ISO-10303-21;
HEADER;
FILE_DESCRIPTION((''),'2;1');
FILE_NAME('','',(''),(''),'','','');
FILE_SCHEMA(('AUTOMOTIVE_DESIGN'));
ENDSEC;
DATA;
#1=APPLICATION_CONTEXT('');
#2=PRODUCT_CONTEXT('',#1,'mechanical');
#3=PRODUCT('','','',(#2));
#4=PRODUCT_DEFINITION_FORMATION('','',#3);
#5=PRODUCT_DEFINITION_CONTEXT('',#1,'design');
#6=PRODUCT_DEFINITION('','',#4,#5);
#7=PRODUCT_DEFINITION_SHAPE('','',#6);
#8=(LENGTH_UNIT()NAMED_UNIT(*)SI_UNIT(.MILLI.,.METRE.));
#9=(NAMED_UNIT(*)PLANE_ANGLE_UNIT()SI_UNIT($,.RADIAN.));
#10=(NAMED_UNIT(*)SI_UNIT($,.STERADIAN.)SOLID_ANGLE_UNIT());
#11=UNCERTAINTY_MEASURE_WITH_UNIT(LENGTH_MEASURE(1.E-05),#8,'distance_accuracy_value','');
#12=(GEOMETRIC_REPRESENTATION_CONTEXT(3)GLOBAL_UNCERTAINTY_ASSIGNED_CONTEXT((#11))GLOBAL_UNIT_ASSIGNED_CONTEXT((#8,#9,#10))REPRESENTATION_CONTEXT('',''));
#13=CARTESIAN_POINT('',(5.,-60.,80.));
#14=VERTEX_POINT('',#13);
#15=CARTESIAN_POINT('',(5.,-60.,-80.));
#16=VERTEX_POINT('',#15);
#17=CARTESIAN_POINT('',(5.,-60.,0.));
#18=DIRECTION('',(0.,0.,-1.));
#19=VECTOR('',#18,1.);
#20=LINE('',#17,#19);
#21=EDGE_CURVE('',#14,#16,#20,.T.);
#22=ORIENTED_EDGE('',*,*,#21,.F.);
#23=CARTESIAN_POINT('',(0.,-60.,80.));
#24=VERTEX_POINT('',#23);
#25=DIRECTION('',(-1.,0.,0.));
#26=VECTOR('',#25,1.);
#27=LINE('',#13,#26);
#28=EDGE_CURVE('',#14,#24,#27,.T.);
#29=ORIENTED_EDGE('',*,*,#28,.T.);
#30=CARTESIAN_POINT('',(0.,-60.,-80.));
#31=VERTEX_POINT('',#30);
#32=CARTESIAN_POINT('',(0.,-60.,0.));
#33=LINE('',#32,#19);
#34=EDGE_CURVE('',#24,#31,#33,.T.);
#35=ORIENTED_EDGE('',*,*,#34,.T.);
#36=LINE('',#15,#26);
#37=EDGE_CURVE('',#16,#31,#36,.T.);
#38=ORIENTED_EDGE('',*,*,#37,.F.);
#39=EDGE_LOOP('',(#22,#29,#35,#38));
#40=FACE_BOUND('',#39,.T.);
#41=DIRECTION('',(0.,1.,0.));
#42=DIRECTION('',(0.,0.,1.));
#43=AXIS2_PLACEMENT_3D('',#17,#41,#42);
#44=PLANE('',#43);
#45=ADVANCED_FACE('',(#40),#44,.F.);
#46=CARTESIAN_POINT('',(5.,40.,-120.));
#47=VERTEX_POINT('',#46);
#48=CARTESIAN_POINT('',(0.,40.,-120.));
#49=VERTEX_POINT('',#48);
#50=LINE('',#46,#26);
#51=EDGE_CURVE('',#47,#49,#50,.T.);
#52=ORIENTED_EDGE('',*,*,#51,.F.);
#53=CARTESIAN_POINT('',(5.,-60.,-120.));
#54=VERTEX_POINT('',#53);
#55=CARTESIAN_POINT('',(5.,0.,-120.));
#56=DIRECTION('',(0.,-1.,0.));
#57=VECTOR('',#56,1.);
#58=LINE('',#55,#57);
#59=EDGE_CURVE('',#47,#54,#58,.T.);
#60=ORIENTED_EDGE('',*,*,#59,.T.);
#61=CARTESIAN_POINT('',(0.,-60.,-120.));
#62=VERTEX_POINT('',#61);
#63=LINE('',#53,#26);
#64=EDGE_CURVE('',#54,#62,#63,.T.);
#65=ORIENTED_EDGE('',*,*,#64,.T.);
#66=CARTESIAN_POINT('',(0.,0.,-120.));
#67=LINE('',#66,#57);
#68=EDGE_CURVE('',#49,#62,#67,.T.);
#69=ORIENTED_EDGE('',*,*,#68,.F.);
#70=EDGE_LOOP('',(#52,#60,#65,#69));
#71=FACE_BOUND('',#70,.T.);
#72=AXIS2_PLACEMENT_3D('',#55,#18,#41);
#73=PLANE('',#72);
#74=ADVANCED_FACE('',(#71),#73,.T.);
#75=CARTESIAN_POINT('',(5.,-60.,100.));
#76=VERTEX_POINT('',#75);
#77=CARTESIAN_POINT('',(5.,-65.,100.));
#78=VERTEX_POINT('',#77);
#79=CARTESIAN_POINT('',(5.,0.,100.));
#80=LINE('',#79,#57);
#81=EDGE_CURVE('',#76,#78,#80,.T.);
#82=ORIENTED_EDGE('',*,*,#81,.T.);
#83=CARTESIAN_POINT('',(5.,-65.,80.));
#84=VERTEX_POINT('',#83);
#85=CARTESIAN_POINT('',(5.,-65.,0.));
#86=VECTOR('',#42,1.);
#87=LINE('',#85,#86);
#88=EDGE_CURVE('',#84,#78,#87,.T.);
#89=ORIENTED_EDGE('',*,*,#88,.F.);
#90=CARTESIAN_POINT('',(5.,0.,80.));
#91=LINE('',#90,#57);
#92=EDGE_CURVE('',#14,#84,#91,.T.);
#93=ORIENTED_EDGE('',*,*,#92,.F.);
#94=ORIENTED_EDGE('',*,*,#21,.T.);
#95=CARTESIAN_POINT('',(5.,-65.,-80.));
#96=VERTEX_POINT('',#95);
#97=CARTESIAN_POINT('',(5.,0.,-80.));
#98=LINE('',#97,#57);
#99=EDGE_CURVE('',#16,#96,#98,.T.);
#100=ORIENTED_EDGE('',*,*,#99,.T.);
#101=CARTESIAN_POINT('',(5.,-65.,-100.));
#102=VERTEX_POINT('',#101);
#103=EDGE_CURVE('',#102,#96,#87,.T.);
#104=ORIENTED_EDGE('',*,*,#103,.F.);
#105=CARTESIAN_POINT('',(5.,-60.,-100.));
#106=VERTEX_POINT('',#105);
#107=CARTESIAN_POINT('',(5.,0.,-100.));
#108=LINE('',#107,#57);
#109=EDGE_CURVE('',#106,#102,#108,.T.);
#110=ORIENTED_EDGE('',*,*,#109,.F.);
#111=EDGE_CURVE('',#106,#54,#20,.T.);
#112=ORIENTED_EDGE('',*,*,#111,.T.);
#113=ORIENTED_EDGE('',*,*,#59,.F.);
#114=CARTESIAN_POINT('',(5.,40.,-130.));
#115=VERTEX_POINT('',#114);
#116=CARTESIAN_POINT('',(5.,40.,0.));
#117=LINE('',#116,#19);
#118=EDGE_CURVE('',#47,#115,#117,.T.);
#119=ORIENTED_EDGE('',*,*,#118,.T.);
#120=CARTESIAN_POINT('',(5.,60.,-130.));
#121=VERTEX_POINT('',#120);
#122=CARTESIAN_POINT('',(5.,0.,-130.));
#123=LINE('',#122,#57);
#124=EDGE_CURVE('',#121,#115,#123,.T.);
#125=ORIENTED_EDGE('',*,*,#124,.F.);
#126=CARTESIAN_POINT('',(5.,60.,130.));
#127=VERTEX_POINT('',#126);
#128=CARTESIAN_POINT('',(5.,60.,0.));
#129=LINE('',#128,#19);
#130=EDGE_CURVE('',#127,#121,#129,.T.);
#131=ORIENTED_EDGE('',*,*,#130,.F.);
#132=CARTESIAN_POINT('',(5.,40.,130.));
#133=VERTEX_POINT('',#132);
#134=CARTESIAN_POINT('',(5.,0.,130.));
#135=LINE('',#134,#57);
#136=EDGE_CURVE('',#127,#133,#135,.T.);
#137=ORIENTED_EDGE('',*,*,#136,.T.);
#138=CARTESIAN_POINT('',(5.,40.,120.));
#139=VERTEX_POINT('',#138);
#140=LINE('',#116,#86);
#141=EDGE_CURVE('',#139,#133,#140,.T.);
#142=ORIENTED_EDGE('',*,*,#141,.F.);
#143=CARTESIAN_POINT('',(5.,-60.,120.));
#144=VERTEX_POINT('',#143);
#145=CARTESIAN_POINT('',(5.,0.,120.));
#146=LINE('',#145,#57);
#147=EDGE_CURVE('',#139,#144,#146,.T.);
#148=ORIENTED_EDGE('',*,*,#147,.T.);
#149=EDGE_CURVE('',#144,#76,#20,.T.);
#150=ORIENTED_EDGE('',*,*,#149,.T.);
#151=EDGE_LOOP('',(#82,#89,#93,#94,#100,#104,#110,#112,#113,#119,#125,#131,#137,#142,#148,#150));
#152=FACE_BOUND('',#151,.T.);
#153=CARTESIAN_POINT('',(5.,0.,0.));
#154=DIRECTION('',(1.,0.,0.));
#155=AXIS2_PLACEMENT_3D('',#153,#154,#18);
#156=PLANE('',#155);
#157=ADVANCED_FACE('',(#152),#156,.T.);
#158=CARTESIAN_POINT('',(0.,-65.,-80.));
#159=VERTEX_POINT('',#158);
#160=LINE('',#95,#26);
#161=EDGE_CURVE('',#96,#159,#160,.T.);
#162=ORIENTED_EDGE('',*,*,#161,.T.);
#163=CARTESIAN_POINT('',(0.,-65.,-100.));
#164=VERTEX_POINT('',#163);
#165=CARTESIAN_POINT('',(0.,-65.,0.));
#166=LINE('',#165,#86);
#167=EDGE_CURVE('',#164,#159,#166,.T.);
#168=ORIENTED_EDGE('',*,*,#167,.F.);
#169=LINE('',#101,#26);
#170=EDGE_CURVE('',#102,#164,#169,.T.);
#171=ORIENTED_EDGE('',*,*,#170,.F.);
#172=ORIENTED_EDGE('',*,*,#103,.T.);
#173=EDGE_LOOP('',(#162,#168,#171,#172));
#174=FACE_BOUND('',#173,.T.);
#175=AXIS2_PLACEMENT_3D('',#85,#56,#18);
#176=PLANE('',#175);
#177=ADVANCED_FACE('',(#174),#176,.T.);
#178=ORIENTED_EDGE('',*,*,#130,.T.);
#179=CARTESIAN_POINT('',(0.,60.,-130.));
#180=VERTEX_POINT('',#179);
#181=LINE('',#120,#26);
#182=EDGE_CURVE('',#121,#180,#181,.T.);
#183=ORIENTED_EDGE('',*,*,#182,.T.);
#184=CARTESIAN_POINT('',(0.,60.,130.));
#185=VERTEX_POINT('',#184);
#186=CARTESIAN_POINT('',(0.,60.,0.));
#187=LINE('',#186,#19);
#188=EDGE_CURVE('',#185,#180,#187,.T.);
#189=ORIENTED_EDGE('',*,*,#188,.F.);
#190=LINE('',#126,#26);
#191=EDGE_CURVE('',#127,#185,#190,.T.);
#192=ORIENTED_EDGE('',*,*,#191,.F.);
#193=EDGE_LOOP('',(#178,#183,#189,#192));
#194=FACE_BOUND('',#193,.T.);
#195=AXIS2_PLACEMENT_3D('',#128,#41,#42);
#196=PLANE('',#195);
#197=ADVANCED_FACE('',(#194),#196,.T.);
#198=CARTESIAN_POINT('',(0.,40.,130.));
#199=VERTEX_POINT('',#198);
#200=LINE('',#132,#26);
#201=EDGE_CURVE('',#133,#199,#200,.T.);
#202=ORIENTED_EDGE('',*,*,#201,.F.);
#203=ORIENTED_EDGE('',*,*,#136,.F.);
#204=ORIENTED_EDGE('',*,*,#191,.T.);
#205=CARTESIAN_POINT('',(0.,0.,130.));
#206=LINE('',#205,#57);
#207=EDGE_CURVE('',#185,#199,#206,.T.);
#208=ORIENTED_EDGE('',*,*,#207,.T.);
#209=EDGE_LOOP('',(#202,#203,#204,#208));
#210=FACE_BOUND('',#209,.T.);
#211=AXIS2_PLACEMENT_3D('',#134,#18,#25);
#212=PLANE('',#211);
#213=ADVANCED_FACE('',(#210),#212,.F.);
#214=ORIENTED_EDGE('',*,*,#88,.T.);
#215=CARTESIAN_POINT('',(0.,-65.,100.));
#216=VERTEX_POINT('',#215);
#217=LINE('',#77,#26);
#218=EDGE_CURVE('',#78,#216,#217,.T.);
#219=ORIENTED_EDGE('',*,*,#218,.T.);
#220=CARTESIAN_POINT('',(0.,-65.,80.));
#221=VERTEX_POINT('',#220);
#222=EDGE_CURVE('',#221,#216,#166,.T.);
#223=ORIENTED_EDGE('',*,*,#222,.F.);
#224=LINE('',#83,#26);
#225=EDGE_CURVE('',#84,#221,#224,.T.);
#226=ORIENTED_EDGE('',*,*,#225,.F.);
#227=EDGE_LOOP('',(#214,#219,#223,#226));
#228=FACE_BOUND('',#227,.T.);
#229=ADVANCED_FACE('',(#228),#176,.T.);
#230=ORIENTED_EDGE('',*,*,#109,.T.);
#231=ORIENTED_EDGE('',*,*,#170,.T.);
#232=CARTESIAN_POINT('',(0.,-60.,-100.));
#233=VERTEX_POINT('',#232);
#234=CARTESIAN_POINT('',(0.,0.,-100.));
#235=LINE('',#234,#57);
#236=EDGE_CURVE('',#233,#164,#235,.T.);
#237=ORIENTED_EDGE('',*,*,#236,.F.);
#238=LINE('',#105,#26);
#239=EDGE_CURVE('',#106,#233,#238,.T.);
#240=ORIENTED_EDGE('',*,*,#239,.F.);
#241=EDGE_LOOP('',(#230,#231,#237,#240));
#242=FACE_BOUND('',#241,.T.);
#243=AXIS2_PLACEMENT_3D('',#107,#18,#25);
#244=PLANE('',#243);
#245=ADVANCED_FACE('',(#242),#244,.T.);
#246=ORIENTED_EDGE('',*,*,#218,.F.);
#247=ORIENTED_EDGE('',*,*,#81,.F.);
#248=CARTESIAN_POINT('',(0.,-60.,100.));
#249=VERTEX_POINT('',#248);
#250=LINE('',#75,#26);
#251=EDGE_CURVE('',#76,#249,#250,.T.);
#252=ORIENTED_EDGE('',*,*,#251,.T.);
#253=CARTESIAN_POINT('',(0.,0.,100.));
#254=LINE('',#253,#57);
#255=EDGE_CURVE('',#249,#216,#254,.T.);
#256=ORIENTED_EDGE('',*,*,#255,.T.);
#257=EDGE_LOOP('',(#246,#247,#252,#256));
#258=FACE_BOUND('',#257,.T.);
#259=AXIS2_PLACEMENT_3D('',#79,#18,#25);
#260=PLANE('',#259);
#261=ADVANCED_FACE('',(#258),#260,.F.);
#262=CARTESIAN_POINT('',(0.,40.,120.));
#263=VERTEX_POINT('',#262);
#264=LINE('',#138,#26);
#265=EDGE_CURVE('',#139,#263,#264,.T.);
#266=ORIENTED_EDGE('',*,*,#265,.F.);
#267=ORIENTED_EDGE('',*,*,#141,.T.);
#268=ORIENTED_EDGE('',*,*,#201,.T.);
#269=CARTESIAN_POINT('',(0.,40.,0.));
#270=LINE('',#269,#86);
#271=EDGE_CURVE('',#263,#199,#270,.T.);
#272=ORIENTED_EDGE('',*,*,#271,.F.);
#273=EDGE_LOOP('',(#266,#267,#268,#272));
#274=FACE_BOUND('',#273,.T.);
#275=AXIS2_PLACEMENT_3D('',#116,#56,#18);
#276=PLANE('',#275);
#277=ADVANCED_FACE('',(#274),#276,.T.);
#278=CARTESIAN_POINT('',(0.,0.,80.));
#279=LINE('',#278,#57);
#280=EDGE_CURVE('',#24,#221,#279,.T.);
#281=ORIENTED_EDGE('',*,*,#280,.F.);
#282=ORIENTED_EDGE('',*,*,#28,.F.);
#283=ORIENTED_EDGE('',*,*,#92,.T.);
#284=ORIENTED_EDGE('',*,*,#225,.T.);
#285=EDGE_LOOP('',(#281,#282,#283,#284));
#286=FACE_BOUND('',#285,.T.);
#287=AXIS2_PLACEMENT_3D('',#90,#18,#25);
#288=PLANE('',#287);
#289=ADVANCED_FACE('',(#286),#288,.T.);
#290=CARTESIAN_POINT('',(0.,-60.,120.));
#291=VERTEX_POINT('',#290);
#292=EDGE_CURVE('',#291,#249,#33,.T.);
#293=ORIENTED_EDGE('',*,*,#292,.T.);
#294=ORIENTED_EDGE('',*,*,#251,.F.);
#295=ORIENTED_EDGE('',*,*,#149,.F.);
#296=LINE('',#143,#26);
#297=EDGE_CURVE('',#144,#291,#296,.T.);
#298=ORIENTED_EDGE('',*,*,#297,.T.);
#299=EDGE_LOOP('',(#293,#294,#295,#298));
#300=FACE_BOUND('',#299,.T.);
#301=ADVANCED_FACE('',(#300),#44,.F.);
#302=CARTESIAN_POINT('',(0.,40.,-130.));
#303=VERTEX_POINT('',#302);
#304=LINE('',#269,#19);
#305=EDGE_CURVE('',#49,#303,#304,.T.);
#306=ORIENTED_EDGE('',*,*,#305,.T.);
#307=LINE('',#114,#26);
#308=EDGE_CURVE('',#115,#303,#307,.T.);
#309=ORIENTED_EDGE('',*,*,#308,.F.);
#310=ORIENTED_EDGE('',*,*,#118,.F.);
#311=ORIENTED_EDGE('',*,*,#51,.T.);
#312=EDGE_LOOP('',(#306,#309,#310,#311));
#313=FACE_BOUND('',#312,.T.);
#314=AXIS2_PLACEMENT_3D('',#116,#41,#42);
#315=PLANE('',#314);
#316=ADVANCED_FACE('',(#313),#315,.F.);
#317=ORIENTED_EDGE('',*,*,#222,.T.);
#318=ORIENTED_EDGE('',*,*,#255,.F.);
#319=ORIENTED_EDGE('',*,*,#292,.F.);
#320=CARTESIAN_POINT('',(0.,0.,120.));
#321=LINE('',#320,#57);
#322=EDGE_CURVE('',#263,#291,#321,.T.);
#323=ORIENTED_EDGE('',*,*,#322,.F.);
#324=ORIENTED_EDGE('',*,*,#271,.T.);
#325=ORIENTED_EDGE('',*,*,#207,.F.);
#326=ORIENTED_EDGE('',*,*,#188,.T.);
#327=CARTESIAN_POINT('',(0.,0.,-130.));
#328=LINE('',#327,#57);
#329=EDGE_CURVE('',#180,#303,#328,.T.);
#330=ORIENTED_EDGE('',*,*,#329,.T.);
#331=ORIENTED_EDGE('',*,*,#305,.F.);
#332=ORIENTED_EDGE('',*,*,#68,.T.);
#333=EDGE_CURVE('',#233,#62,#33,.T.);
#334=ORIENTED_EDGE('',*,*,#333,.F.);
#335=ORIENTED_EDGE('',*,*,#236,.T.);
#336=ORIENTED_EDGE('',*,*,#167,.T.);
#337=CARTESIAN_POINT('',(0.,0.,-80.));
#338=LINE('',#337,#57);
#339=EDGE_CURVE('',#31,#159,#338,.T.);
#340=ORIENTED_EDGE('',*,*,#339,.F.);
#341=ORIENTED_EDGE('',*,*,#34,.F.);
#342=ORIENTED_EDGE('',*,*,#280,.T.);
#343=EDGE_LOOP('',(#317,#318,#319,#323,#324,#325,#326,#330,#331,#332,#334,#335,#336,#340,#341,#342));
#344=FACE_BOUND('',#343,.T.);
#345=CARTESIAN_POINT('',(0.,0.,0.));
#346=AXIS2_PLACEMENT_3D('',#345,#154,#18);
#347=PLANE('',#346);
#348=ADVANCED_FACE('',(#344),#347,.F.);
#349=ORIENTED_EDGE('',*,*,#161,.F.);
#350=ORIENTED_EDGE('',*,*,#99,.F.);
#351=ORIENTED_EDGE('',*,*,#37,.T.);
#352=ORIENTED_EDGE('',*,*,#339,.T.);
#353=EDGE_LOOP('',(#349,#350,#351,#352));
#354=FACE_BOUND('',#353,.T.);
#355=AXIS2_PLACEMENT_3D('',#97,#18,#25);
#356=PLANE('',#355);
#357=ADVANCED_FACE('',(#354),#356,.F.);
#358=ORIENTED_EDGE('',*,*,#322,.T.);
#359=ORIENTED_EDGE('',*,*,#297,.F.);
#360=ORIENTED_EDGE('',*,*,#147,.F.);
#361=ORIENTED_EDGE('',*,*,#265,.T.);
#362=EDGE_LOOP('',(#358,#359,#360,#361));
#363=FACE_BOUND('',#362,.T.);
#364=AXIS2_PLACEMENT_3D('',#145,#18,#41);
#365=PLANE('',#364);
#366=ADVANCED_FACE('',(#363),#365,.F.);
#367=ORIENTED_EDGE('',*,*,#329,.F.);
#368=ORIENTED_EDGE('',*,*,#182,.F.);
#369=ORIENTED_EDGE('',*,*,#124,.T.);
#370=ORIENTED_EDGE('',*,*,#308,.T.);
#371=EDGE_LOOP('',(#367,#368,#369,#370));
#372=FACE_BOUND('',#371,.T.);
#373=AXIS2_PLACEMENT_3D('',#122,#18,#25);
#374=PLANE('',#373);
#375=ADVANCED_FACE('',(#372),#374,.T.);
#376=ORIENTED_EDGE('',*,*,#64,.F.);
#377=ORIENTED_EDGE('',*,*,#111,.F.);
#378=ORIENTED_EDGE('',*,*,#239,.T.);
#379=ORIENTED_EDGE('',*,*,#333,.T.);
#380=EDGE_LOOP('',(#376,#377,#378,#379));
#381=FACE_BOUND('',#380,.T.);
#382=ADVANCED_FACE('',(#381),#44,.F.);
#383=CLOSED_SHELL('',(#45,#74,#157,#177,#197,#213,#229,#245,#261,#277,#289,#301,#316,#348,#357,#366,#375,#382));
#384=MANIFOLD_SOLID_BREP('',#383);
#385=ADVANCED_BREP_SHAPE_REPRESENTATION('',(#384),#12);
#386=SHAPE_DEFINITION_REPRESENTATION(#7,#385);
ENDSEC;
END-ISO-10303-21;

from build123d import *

# Parameters (mm, degrees)
SKIZZE2_W                       = 240
SKIZZE2_H                       = 120
SKIZZE2_W_2                     = 10
SKIZZE2_H_2                     = 20
SKIZZE2_W_3                     = 20
SKIZZE2_H_3                     = 5
AUFSATZ_LINEAR_AUSTRAGEN1_DEPTH = 5


with BuildPart() as part:
    # Skizze2 → Aufsatz-Linear austragen1 (new body)
    with BuildSketch(Plane(origin=(0, 0, 0), x_dir=(0, 0, -1), z_dir=(1, 0, 0))):
        Rectangle(SKIZZE2_W, SKIZZE2_H)
        with Locations((-125, 50)):
            Rectangle(SKIZZE2_W_2, SKIZZE2_H_2)
        with Locations((125, 50)):
            Rectangle(SKIZZE2_W_2, SKIZZE2_H_2)
        with Locations((-90, -62.5)):
            Rectangle(SKIZZE2_W_3, SKIZZE2_H_3)
        with Locations((90, -62.5)):
            Rectangle(SKIZZE2_W_3, SKIZZE2_H_3)
    extrude(amount=AUFSATZ_LINEAR_AUSTRAGEN1_DEPTH)


solid = part.part
